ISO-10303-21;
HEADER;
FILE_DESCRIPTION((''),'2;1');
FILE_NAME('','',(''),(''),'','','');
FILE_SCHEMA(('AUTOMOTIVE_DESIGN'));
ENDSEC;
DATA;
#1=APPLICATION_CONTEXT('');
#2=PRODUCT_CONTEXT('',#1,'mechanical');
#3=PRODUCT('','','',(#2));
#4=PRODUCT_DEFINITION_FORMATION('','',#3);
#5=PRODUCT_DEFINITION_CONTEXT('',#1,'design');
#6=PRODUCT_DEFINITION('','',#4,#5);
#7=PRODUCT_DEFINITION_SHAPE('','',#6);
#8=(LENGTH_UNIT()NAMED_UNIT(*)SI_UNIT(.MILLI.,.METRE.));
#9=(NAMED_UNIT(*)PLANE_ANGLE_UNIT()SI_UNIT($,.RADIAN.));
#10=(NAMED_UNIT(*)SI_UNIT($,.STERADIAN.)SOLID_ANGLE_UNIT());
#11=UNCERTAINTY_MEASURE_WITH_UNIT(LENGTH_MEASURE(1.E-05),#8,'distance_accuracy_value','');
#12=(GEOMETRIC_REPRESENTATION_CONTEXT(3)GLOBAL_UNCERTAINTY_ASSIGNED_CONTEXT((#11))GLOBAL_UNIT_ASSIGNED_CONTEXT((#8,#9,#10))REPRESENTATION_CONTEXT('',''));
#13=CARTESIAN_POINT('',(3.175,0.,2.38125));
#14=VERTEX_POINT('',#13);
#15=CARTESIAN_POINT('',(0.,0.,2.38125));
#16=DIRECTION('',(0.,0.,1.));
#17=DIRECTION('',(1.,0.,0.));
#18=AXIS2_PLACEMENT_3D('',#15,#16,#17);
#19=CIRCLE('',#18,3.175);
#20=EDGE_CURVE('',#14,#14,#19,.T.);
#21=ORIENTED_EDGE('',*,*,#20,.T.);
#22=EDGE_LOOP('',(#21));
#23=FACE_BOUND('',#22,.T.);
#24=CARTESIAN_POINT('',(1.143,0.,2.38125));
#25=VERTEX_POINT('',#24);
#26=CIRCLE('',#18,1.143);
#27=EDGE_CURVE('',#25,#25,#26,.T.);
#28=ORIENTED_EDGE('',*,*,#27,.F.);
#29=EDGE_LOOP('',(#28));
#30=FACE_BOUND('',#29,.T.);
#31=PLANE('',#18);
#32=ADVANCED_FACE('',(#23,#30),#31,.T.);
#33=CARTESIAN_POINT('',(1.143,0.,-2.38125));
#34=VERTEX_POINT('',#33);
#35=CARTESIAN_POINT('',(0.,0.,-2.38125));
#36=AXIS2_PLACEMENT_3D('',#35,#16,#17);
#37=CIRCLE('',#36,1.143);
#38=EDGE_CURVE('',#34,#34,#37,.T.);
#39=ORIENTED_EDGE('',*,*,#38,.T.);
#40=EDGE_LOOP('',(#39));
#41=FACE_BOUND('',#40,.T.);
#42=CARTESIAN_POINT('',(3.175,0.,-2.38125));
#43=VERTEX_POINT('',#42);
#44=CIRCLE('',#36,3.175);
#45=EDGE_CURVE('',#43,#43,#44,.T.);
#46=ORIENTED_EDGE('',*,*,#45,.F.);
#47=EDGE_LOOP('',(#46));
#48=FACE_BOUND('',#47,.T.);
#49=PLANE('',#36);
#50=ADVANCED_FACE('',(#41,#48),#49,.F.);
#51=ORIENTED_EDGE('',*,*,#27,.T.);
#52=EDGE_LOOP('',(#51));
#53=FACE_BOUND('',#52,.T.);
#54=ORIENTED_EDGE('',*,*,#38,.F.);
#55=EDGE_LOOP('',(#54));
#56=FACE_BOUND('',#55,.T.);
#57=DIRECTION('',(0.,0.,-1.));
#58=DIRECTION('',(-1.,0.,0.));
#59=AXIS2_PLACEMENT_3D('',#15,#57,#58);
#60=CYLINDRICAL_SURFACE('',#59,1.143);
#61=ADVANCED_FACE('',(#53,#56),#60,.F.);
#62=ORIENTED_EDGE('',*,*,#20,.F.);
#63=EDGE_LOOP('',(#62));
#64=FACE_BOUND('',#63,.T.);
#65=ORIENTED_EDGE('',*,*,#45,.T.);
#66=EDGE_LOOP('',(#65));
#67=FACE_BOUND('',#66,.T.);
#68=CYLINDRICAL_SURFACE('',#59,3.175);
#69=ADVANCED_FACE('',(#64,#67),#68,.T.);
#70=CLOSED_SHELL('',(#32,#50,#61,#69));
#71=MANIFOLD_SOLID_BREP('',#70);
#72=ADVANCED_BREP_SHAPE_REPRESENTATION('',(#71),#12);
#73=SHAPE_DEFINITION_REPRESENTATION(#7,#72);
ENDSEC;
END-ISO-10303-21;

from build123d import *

# Parameters (mm, degrees)
SKETCH1_R           = 3.175
SKETCH1_R_2         = 1.143
EXTRUDE1_DEPTH      = 2.38125
EXTRUDE1_DEPTH_BACK = 2.38125


with BuildPart() as part:
    # Sketch1 → Extrude1 (new body, two sides)
    with BuildSketch(Plane.XY) as extrude1_sk:
        Circle(SKETCH1_R)
        Circle(SKETCH1_R_2, mode=Mode.SUBTRACT)
    extrude(amount=EXTRUDE1_DEPTH)
    extrude(extrude1_sk.sketch, amount=-EXTRUDE1_DEPTH_BACK)


solid = part.part
